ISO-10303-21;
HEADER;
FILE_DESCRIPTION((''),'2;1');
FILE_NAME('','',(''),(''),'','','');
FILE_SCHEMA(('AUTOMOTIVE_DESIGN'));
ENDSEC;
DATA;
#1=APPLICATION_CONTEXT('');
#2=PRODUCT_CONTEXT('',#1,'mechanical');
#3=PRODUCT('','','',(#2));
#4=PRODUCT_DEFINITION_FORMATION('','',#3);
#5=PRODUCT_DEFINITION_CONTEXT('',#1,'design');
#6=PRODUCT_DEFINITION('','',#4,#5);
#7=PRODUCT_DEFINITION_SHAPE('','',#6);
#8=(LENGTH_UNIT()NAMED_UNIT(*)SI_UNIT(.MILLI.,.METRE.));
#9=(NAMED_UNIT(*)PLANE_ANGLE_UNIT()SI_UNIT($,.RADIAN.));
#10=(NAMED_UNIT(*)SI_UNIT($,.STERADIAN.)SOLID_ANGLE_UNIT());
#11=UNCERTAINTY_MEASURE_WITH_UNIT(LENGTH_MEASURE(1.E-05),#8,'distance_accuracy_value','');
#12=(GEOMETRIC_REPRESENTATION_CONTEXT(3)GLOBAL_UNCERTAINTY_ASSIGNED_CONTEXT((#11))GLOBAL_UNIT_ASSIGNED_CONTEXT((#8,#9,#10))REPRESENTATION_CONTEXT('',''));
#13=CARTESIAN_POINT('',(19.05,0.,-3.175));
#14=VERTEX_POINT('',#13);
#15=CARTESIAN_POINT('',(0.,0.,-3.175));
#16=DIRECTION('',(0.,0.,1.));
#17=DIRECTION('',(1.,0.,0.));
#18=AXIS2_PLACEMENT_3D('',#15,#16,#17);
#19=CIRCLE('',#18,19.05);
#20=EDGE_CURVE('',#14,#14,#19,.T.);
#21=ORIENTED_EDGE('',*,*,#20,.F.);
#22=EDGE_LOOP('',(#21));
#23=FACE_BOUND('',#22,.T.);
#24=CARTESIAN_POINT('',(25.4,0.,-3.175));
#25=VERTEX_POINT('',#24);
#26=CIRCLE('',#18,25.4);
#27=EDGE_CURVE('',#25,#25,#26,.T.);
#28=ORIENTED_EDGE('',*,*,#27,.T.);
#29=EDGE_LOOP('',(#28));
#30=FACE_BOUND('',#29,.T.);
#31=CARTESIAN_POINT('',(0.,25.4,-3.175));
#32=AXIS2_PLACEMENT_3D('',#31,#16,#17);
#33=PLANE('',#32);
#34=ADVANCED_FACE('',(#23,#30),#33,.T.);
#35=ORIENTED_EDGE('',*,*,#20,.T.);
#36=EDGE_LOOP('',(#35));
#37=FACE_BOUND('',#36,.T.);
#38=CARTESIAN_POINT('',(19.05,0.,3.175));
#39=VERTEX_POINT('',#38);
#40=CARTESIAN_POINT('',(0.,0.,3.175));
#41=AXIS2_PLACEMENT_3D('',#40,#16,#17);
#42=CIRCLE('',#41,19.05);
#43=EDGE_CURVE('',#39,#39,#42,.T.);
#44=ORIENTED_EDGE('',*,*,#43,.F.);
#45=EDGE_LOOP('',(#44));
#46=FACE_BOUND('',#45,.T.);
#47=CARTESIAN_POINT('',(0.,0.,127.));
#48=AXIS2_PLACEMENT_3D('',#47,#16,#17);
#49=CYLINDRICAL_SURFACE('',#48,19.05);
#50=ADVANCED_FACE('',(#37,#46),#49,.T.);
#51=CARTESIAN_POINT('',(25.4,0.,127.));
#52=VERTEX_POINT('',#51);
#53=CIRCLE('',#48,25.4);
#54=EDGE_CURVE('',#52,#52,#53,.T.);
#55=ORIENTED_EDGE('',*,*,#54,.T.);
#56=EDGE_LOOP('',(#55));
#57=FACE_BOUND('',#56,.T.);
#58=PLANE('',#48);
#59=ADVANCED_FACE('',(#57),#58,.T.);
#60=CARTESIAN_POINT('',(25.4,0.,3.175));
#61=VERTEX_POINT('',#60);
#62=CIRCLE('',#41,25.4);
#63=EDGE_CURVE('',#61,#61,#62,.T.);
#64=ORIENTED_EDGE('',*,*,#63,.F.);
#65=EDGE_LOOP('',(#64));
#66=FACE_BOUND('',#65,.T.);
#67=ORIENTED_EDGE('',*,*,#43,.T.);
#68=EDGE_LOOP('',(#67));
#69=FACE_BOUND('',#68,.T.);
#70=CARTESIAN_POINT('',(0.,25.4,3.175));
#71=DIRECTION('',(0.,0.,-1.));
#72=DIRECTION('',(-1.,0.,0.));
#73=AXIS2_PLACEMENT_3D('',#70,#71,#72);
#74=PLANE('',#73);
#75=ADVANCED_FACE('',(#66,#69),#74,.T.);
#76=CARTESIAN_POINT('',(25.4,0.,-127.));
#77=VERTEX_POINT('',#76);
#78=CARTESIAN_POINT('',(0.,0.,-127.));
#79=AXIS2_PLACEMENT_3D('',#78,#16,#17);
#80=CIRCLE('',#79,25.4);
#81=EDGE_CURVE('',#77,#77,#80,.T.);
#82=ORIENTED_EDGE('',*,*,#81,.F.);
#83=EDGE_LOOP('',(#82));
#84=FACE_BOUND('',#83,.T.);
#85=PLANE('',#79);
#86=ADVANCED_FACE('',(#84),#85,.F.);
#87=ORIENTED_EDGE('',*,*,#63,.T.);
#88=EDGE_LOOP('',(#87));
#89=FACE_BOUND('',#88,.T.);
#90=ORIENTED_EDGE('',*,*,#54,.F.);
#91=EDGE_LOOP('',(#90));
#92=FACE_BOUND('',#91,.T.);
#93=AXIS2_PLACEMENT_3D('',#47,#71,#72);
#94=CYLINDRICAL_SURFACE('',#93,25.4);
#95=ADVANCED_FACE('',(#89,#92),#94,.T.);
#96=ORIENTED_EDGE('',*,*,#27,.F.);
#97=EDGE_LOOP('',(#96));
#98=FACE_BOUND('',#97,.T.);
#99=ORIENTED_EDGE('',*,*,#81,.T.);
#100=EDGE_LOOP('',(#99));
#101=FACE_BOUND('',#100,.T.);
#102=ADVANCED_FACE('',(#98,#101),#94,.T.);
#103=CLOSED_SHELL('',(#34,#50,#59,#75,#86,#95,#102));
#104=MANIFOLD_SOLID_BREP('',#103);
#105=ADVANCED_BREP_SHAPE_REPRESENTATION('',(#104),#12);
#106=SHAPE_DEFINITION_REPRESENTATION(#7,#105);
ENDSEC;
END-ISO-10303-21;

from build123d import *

# Parameters (mm, degrees)
SKETCH1_R           = 25.4
BOSS_EXTRUDE1_DEPTH = 127
SKETCH2_W           = 6.35
SKETCH2_H           = 6.35


with BuildPart() as part:
    # Sketch1 → Boss-Extrude1 (new body, symmetric)
    with BuildSketch(Plane.XY):
        Circle(SKETCH1_R)
    extrude(amount=BOSS_EXTRUDE1_DEPTH, both=True)

    # Sketch2 → Cut-Revolve1 (revolve, cut)
    with BuildSketch(Plane(origin=(0, 0, 0), x_dir=(0, 0, -1), z_dir=(1, 0, 0)), mode=Mode.PRIVATE) as cut_revolve1_sk:
        with Locations((0, 22.225)):
            Rectangle(SKETCH2_W, SKETCH2_H)
    revolve(cut_revolve1_sk.sketch.rotate(Axis((0, 0, 127), (0, 0, -1)), 90), axis=Axis((0, 0, 127), (0, 0, -1)), mode=Mode.SUBTRACT)  # turned: the seam where the file's is


solid = part.part
